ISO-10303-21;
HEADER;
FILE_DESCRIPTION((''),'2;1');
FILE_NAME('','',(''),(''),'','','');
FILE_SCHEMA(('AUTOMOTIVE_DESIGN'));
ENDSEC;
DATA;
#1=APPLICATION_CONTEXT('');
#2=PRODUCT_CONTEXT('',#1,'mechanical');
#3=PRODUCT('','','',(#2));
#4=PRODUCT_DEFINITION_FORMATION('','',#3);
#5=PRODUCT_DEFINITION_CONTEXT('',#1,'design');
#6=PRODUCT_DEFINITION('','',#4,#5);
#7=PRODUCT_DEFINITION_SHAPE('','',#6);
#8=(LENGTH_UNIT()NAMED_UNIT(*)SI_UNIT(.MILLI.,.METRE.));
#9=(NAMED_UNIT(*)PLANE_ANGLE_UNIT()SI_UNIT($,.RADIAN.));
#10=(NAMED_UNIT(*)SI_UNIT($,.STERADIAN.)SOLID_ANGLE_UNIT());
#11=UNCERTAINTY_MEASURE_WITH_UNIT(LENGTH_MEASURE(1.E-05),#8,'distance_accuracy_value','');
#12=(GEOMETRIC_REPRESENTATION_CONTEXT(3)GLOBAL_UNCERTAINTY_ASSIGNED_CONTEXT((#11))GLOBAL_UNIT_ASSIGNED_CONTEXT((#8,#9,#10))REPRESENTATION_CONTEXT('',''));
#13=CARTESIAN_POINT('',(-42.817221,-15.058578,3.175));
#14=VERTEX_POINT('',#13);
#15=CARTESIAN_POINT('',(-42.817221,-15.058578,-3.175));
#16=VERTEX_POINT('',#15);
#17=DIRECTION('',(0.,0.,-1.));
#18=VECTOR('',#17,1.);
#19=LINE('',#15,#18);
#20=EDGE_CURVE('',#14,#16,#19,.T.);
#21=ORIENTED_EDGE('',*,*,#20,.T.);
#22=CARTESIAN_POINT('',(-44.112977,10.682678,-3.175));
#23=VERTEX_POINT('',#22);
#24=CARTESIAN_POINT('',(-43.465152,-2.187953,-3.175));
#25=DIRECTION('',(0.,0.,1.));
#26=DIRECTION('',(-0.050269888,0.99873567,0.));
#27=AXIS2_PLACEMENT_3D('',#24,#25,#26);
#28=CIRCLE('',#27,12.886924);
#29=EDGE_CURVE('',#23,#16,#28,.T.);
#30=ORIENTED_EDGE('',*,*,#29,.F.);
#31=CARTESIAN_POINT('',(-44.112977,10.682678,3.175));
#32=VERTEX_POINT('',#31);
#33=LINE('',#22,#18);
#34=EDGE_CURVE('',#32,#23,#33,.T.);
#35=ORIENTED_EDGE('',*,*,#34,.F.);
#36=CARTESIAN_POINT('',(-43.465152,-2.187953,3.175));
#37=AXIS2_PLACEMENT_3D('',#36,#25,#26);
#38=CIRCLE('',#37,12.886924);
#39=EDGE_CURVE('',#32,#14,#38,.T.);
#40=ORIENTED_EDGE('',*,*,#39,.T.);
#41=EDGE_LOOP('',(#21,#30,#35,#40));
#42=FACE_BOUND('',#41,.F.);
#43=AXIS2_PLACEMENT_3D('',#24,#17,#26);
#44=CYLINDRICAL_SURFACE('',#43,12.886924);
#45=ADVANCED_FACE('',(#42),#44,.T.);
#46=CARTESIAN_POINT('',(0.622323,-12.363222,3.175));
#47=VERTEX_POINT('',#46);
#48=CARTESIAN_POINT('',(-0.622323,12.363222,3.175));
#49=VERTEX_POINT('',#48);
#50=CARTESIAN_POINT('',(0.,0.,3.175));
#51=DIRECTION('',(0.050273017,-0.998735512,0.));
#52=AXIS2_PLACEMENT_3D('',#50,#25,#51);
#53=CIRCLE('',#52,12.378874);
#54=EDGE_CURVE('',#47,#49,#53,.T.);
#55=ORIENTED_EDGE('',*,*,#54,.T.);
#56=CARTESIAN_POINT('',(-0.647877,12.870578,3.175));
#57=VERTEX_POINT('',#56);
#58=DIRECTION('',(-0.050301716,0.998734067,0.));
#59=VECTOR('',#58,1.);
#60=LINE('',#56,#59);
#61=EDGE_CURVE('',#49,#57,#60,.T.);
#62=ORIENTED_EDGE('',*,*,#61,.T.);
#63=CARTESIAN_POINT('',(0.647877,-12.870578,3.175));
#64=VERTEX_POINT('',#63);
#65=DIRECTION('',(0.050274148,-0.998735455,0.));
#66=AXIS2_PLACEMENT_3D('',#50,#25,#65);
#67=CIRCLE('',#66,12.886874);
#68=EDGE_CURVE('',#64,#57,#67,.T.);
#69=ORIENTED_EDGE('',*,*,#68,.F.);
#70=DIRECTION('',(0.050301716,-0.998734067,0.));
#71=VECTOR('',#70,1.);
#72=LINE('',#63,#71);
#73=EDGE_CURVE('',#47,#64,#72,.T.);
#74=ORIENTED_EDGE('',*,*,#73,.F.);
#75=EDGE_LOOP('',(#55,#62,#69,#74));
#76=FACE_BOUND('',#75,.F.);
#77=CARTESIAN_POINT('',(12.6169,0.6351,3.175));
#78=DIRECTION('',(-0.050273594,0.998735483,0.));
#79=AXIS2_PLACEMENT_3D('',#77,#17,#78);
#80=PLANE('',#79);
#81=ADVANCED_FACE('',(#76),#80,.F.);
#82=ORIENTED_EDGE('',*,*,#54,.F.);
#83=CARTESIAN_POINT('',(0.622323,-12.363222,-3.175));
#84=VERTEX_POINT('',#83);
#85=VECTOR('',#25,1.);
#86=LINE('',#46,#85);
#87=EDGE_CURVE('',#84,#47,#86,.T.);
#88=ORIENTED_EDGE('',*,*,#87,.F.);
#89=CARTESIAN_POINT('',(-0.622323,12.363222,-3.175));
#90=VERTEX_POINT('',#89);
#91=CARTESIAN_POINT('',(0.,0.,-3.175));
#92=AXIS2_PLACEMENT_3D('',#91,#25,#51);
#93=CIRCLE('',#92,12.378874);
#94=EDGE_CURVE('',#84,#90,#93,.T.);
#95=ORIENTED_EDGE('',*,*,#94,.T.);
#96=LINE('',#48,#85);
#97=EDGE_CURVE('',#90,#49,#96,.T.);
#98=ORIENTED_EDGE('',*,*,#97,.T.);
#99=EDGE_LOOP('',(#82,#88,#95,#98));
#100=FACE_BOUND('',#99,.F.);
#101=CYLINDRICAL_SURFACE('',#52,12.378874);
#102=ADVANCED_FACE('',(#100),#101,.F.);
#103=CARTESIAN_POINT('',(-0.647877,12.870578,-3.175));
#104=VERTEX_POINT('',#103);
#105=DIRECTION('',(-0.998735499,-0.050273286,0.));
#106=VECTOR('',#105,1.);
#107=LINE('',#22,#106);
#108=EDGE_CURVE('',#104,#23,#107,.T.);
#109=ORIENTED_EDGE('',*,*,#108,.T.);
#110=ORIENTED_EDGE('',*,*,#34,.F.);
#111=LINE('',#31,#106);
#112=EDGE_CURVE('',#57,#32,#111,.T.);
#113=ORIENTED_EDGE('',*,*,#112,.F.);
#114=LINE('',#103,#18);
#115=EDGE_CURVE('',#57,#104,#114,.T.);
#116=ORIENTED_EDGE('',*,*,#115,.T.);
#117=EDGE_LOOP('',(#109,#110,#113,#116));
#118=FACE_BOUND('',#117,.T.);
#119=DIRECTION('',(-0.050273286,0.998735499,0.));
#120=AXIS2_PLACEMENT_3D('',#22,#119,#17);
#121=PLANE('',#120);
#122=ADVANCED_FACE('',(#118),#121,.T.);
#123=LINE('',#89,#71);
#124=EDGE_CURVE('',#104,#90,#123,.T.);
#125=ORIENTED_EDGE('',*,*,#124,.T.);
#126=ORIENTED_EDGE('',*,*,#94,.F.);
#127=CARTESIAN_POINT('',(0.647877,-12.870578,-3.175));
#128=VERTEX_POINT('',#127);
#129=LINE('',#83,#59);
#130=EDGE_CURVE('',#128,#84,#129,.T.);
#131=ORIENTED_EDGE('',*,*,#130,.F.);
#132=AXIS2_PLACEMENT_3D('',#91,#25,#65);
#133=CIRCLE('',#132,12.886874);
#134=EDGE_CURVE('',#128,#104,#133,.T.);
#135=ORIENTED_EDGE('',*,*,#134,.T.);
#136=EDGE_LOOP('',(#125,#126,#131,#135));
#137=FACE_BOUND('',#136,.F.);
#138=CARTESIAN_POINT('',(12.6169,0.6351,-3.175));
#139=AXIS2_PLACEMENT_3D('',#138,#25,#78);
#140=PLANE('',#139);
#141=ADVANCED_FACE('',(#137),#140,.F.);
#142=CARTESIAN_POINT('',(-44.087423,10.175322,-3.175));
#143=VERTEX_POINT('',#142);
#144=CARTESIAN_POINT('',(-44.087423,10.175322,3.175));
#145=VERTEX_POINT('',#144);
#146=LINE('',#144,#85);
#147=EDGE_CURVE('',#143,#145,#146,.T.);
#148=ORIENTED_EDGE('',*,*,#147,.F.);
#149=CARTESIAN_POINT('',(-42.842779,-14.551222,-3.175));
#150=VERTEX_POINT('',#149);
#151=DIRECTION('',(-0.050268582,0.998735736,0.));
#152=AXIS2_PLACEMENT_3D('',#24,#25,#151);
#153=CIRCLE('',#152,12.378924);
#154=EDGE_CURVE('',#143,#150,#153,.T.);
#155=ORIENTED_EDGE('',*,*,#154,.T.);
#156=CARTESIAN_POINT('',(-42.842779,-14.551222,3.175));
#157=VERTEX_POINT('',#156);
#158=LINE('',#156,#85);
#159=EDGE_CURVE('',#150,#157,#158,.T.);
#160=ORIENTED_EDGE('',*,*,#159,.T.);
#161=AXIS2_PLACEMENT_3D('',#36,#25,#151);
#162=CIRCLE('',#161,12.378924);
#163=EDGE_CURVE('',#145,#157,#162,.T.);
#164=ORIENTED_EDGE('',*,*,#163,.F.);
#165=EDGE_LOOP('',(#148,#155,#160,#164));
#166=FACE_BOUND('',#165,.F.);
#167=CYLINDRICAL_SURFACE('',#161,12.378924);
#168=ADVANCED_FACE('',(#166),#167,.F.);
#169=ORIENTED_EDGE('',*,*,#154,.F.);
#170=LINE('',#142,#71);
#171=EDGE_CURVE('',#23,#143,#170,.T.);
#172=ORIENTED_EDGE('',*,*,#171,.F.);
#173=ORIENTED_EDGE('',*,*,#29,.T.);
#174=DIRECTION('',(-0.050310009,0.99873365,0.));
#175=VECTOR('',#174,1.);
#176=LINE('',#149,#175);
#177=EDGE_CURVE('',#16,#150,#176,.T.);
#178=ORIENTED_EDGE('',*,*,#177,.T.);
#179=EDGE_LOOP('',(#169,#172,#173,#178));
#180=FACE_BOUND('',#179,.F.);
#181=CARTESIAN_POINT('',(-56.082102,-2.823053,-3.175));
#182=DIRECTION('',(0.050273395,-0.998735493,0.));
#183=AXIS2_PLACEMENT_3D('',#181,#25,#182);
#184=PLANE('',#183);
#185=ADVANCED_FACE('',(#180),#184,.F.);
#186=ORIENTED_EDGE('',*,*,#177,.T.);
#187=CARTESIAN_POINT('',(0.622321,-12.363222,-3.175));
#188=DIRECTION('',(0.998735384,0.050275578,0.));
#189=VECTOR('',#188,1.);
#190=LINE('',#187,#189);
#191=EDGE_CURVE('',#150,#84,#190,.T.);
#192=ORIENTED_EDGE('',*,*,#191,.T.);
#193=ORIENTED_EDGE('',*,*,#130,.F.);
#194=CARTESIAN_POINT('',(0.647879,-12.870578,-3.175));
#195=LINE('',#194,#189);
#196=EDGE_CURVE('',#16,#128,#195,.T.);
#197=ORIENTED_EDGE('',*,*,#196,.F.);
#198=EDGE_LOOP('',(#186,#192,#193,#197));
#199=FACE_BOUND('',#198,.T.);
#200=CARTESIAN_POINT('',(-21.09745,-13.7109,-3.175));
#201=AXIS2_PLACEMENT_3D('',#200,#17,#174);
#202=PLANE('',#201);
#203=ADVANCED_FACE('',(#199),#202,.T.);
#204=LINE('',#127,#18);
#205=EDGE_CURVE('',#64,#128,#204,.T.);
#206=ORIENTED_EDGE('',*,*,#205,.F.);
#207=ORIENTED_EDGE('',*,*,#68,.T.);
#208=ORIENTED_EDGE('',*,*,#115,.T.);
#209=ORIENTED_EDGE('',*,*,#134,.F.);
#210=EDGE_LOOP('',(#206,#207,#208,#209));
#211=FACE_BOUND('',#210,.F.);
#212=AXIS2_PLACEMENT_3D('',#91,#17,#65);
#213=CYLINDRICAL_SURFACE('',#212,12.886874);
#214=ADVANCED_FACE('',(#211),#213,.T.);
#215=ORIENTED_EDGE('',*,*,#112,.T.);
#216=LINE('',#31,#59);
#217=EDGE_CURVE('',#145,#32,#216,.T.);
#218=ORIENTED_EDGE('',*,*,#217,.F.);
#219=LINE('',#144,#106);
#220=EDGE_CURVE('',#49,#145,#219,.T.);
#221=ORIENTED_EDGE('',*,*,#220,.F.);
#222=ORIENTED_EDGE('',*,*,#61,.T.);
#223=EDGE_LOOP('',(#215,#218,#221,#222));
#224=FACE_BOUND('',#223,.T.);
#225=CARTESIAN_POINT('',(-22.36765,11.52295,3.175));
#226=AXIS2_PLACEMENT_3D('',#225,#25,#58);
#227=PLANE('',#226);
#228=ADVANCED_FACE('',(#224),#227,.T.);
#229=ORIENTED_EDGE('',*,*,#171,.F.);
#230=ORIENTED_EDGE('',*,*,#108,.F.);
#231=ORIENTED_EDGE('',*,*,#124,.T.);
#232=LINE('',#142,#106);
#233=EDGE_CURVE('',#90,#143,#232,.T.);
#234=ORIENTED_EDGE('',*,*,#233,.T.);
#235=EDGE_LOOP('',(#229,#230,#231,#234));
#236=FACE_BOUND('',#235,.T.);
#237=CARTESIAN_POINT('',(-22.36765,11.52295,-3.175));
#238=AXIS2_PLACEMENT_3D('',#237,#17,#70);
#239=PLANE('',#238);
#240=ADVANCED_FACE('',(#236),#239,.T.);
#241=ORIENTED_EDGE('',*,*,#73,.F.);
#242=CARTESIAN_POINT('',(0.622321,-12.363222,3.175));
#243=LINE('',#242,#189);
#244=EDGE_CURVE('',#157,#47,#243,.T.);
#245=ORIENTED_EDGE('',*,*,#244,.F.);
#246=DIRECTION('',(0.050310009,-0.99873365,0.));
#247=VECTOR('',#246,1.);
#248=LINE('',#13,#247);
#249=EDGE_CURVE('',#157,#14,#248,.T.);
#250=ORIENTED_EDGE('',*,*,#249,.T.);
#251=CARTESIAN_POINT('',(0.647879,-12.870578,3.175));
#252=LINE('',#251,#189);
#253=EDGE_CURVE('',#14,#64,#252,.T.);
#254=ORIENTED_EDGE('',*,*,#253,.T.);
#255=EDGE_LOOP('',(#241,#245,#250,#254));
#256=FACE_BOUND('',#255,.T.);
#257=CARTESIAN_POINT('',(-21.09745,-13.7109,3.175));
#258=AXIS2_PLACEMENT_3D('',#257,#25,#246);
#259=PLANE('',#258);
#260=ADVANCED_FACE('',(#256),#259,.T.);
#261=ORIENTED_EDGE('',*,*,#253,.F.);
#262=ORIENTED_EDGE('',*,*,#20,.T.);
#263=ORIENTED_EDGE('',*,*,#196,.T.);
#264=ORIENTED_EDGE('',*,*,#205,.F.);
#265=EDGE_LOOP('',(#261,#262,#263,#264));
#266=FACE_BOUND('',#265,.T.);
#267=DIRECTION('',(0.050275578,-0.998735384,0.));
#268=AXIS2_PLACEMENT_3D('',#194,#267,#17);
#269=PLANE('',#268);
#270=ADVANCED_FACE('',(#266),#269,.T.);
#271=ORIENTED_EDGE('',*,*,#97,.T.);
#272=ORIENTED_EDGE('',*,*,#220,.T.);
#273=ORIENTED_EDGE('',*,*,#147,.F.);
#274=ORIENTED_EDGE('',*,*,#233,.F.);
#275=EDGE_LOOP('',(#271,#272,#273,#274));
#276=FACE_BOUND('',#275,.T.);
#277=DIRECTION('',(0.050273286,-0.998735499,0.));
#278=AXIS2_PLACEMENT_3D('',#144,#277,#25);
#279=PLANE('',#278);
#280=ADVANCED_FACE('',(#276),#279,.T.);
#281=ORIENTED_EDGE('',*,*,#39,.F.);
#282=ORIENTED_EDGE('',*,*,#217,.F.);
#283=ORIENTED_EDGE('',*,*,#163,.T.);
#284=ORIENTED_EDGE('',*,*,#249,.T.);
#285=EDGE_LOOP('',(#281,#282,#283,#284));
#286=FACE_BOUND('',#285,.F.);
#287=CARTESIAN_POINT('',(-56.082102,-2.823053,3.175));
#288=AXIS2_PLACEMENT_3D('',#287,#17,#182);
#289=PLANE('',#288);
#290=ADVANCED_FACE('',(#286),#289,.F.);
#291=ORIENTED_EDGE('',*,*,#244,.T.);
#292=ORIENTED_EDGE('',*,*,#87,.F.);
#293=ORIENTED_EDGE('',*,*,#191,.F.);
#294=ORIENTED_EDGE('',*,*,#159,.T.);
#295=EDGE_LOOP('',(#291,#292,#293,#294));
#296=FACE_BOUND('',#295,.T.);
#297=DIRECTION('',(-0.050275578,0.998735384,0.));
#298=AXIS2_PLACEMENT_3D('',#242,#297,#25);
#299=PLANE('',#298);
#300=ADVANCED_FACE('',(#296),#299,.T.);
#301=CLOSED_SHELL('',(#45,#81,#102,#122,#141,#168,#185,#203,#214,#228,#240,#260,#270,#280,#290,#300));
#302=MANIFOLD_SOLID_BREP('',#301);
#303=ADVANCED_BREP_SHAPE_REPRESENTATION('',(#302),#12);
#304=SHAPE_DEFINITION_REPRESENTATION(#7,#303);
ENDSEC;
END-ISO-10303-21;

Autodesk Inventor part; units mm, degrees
sketch "Sketch Path" plane through (0, 0, 0) normal (0, 0, 1) x (1, 0, 0)
  arc A0 (0.6351, -12.6169) -> (-0.6351, 12.6169) centre (0, 0) ccw
  arc A1 (-44.1002, 10.429) -> (-42.83, -14.8049) centre (-43.4651, -2.188) ccw
  line L0 (-44.1002, 10.429) -> (-0.6351, 12.6169)
  line L1 (0.6351, -12.6169) -> (-42.83, -14.8049)
ref_plane "Cross Section Plane" through (-0.6351, 12.6169, 0) normal (-0.9987, -0.0503, 0) x (0, 0, 1)
ref_plane "Work Plane2" through (0, 0, 0) normal (-1, 0, 0) x (0, 0, 1)
ref_plane "Work Plane3" through (-43.4651, -2.188, 0) normal (0.9802, -0.198, 0) x (0, 0, 1)
sketch "Cross Section" plane through (-0.6351, 12.6169, 0) normal (-0.9987, -0.0503, 0) x (0, 0, 1)
  line L0 (-3.175, 0.254) -> (3.175, 0.254)
  line L1 (3.175, 0.254) -> (3.175, -0.254)
  line L2 (3.175, -0.254) -> (-3.175, -0.254)
  line L3 (-3.175, -0.254) -> (-3.175, 0.254)
  line L4 (-3.175, 0) -> (3.175, 0) construction
  point P0 (0, 0)
  point P1 (0, 0)
  dimension "d0" = 6.35
  dimension "d4" = 0.254
  dimension "d5" = 0.254
sweep "Belt" add profiles "Cross Section" path "Sketch Path"
equation "\"d0\" = da_B"
equation "\"d4\" = da_a"
equation "\"d5\" = da_a2"
equation "\"da_B\" = 6.35"
equation "\"da_pb\" = 3.175"
equation "\"da_L\" = 166.41522"
equation "\"da_a\" = 0.254"
equation "\"da_S\" = 1.7272"
equation "\"da_Beta\" = 25deg"
equation "\"da_Ht\" = 0.762"
equation "\"da_H\" = 2.032"
equation "\"da_a2\" = 0.254"
properties part number "Synchronous Belt" material "Rubber"
